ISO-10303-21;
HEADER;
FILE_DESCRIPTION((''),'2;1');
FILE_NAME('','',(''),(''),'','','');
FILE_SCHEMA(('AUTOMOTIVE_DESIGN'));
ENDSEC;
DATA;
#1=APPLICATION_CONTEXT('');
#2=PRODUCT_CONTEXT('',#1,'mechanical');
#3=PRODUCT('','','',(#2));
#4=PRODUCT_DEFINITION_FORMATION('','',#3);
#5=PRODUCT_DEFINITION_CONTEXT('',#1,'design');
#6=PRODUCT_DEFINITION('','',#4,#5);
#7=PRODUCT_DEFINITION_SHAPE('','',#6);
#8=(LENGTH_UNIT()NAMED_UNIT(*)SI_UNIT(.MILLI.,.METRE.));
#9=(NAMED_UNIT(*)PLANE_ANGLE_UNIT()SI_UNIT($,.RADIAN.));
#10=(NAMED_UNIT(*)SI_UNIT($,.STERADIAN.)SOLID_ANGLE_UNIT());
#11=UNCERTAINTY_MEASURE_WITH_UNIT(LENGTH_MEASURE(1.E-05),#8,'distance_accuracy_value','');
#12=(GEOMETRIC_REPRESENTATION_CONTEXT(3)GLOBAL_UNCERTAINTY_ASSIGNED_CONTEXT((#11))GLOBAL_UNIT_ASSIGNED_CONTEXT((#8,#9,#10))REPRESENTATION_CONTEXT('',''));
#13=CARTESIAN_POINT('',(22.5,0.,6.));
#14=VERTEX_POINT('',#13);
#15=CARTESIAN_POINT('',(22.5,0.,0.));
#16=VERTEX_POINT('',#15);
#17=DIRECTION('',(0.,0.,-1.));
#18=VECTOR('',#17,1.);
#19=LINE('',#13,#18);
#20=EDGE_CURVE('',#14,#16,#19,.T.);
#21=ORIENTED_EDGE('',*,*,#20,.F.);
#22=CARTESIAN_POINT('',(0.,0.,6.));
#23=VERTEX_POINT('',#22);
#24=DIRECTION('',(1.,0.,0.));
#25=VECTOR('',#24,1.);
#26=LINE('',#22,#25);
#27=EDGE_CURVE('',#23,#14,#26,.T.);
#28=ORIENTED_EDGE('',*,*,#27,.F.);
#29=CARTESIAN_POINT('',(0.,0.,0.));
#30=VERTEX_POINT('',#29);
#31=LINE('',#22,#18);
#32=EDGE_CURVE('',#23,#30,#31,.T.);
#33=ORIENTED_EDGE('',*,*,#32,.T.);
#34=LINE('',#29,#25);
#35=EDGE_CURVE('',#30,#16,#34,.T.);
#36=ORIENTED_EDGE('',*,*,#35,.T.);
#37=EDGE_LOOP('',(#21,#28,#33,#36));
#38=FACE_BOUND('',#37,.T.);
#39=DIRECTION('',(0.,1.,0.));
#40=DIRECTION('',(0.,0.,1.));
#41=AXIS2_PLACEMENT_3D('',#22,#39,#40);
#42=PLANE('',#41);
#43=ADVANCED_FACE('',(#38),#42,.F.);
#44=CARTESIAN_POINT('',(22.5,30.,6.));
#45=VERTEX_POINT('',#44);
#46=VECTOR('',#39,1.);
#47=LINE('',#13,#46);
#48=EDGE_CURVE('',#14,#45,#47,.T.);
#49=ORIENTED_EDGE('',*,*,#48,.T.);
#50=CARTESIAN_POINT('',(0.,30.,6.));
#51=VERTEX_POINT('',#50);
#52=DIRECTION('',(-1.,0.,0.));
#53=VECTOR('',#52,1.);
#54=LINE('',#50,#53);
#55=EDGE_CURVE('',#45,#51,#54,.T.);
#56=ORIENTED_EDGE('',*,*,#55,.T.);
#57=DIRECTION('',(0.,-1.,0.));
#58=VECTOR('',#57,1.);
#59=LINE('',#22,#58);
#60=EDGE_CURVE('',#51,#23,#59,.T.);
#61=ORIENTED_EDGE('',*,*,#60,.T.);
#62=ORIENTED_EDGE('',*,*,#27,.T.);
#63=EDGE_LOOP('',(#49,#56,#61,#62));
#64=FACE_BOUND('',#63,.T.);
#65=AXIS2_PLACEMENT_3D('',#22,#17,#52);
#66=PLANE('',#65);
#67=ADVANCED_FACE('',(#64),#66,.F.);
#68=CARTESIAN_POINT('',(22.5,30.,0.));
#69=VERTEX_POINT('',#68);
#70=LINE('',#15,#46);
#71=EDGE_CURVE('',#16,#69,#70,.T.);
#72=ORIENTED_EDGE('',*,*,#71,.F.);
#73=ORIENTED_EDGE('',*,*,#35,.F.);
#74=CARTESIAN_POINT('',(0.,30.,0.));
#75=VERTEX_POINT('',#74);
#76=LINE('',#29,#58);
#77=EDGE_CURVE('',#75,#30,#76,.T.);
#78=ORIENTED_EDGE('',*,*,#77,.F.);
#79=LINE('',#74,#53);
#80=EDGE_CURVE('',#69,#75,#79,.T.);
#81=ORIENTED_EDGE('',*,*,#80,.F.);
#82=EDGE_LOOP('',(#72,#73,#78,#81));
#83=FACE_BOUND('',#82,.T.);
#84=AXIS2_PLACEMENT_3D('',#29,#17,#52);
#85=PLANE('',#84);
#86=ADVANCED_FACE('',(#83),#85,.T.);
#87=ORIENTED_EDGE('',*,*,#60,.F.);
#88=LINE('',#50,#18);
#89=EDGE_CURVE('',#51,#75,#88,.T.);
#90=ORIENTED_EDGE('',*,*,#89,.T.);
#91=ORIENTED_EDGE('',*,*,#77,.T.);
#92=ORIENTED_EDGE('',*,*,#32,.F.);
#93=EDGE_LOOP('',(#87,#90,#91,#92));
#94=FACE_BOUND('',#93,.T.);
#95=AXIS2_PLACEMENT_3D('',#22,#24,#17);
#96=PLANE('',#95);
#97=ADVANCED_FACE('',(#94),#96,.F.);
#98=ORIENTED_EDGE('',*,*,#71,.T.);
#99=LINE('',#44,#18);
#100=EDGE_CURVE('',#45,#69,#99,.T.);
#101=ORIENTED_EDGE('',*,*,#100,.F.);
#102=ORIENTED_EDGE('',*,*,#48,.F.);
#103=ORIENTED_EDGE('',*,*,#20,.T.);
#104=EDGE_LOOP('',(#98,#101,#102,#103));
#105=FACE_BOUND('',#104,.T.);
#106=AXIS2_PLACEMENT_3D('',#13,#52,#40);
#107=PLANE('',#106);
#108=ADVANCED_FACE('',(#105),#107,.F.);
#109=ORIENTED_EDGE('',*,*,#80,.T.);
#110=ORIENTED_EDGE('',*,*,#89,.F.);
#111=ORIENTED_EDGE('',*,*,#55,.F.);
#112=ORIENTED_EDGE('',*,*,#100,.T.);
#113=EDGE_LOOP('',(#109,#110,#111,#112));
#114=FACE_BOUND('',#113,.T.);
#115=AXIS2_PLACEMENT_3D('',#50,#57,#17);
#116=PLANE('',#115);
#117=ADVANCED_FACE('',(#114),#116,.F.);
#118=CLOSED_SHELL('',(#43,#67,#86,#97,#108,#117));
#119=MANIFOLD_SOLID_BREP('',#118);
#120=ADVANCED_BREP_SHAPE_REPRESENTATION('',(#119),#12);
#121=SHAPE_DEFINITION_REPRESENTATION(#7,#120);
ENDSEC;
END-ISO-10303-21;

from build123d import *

# Parameters (mm, degrees)
ESBO_O1_W                = 22.5
ESBO_O1_H                = 30
RESSALTO_EXTRUS_O1_DEPTH = 6


with BuildPart() as part:
    # Esboço1 → Ressalto-extrusão1 (new body)
    with BuildSketch(Plane.XY):
        with Locations((11.25, 15)):
            Rectangle(ESBO_O1_W, ESBO_O1_H)
    extrude(amount=RESSALTO_EXTRUS_O1_DEPTH)


solid = part.part
